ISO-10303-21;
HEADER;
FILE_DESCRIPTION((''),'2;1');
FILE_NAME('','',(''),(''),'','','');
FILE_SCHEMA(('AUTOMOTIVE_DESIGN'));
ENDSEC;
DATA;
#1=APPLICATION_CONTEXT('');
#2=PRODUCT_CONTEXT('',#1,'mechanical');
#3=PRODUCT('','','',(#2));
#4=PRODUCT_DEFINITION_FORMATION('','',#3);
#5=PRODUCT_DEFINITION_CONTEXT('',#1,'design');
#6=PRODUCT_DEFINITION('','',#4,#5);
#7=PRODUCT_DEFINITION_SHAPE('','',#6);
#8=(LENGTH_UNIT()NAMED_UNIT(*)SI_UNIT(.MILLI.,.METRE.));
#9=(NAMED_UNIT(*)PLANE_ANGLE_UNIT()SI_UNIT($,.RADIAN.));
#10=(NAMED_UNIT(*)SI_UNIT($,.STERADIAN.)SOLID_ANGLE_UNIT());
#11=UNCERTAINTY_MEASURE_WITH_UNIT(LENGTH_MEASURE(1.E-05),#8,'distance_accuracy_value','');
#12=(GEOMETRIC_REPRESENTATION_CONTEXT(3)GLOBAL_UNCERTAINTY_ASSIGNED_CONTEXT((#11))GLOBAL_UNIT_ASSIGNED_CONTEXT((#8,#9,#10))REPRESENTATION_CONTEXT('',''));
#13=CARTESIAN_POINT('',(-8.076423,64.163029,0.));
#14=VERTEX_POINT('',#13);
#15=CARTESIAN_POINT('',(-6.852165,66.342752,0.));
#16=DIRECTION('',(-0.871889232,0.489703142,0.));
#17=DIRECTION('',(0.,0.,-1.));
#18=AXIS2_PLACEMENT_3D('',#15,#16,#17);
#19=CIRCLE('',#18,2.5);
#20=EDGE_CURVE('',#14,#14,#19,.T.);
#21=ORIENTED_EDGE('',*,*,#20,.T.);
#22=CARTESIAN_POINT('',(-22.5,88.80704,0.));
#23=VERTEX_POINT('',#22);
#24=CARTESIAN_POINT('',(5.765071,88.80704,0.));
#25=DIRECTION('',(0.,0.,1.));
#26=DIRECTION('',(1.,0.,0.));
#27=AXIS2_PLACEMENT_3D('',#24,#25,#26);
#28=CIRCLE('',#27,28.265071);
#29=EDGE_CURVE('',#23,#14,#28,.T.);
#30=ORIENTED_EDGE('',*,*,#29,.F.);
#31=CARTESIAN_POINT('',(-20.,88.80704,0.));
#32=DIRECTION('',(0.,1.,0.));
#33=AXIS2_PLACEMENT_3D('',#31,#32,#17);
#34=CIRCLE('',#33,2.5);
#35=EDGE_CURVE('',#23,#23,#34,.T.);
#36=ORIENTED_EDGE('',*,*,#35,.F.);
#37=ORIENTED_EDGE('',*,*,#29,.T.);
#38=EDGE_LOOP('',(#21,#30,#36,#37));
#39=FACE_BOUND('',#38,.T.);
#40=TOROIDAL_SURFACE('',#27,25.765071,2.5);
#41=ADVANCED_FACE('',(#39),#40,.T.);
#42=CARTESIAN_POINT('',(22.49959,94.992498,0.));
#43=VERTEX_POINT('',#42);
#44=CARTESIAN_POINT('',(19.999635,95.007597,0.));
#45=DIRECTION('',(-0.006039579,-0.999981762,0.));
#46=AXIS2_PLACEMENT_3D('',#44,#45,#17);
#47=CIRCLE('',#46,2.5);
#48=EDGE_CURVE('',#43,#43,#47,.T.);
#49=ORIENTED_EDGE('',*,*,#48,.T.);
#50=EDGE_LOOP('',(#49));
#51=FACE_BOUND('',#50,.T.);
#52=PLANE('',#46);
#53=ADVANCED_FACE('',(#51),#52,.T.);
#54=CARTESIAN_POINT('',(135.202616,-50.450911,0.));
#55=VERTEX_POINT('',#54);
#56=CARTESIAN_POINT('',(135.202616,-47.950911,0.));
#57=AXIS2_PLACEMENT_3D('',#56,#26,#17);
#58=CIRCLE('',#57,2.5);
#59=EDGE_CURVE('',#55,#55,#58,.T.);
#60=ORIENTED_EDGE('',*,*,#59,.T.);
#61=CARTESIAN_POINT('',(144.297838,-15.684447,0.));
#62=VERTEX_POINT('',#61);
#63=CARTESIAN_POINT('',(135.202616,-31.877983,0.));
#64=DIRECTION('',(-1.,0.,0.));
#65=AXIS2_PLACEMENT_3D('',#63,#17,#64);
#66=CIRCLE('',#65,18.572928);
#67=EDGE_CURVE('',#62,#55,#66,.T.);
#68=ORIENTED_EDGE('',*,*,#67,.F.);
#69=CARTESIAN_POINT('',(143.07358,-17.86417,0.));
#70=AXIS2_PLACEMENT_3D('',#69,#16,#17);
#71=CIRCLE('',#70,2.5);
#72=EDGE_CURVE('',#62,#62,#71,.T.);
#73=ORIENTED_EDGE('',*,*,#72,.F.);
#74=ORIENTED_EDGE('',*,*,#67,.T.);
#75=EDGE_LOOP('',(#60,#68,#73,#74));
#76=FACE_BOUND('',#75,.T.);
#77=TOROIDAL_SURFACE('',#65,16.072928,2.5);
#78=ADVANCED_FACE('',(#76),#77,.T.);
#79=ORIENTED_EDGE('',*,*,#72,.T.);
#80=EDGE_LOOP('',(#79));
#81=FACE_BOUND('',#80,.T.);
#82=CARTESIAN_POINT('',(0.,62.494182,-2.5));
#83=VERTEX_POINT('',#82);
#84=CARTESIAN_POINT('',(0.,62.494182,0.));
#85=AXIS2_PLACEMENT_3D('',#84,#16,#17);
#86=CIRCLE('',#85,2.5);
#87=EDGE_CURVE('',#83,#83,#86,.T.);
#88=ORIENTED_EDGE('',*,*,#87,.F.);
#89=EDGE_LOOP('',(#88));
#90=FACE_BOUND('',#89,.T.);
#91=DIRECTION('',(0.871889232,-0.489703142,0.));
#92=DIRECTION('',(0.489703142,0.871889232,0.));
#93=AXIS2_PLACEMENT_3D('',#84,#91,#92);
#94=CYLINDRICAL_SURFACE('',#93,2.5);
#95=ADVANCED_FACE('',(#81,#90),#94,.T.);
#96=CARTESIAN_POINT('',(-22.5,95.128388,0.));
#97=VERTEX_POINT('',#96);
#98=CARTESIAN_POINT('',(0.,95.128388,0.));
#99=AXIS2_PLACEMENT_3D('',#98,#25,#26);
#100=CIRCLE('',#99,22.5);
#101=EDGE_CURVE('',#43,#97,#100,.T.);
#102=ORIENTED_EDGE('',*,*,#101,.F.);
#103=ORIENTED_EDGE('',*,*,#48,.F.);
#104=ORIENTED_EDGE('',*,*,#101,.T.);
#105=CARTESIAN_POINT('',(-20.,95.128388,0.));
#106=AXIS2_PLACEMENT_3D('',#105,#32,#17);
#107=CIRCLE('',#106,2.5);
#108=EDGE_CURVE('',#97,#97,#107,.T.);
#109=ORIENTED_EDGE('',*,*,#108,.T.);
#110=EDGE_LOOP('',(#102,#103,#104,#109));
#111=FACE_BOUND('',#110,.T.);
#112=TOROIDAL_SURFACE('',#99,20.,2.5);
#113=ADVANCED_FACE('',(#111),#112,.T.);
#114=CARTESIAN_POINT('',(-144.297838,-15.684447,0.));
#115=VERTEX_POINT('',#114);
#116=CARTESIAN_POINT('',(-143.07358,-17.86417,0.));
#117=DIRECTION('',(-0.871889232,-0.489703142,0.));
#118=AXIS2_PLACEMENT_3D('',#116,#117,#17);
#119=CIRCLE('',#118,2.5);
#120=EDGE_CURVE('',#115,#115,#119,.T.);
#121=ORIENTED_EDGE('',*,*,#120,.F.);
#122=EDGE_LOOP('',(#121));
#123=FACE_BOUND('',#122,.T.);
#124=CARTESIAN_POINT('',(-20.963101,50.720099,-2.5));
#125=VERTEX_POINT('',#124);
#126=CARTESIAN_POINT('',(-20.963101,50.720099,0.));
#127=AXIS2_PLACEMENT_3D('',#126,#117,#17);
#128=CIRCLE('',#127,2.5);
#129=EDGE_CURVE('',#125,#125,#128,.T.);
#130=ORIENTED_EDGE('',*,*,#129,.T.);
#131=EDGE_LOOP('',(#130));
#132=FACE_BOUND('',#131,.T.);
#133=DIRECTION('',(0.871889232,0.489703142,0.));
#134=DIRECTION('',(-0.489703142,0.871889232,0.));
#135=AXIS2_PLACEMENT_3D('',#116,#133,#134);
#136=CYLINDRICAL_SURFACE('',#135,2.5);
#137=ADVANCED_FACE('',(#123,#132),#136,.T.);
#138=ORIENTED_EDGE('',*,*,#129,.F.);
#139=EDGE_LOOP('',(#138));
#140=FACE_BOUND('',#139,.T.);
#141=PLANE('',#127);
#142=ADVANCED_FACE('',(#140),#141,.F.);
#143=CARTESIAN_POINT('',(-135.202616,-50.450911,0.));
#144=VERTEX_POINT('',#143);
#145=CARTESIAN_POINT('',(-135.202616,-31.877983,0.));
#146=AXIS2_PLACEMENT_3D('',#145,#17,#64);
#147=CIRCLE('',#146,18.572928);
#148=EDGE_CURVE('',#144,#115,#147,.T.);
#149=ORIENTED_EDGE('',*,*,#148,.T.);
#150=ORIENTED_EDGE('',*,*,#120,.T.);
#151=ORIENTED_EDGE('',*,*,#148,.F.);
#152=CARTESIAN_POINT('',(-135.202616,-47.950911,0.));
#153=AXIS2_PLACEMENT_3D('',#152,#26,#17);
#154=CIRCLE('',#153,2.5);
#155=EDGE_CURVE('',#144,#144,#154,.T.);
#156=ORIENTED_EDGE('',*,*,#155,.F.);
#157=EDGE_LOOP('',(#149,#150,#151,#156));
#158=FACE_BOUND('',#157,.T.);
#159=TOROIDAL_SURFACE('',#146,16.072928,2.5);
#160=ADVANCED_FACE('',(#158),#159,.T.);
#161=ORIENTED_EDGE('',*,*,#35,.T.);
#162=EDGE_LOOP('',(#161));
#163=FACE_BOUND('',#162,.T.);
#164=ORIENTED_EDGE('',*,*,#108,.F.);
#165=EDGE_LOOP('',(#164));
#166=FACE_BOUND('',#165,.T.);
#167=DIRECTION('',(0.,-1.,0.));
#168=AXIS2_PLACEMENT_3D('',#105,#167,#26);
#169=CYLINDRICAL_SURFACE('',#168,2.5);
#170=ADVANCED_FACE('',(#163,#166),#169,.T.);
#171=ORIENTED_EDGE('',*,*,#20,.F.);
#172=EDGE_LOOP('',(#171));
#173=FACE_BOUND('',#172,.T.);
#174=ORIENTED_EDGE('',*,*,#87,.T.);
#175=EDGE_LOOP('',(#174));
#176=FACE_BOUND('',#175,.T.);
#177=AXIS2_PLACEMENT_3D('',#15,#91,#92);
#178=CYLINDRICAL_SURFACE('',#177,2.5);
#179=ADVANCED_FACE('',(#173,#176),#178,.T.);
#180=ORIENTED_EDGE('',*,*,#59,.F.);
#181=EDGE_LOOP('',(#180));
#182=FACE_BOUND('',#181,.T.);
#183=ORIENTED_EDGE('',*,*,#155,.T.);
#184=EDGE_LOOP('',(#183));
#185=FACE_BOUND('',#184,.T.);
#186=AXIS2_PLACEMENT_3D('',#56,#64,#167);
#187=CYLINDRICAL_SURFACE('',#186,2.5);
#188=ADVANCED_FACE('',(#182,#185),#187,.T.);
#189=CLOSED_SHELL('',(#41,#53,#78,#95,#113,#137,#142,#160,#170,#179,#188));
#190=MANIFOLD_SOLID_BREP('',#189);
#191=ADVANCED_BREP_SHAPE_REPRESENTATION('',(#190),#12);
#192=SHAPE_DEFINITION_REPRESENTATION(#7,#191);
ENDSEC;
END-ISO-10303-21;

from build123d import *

# Parameters (mm, degrees)
SKETCH2_R = 2.5


with BuildPart() as part:
    # Sweep1: sweep along a path in Sketch1
    with BuildLine(Plane.XY) as sweep1_path:
        Line((-20.96310132, 50.720098642), (-143.073579672, -17.864169648))
        ThreePointArc((-143.073579672, -17.864169648), (-150.752246891, -35.945906478), (-135.202616283, -47.950910641))
        Line((-135.202616283, -47.950910641), (135.202616283, -47.950910641))
        ThreePointArc((135.202616283, -47.950910641), (150.752246891, -35.945906478), (143.073579672, -17.864169648))
        Line((143.073579672, -17.864169648), (0, 62.494182115))
        Line((0, 62.494182115), (-6.85216534, 66.342752298))
        ThreePointArc((-6.85216534, 66.342752298), (-16.471417859, 75.792531042), (-20, 88.807040077))
        Line((-20, 88.807040077), (-20, 95.128388362))
        ThreePointArc((-20, 95.128388362), (0.060396069, 115.12829717), (19.999635231, 95.007596775))
    # Sketch2 → Sweep1 (sweep)
    with BuildSketch(Plane(origin=(0, 0, 0), x_dir=(0, 0, -1), z_dir=(1, 0, 0))):
        with Locations((0, -47.950910641)):
            Circle(SKETCH2_R)
    sweep(path=sweep1_path.line)


solid = part.part
